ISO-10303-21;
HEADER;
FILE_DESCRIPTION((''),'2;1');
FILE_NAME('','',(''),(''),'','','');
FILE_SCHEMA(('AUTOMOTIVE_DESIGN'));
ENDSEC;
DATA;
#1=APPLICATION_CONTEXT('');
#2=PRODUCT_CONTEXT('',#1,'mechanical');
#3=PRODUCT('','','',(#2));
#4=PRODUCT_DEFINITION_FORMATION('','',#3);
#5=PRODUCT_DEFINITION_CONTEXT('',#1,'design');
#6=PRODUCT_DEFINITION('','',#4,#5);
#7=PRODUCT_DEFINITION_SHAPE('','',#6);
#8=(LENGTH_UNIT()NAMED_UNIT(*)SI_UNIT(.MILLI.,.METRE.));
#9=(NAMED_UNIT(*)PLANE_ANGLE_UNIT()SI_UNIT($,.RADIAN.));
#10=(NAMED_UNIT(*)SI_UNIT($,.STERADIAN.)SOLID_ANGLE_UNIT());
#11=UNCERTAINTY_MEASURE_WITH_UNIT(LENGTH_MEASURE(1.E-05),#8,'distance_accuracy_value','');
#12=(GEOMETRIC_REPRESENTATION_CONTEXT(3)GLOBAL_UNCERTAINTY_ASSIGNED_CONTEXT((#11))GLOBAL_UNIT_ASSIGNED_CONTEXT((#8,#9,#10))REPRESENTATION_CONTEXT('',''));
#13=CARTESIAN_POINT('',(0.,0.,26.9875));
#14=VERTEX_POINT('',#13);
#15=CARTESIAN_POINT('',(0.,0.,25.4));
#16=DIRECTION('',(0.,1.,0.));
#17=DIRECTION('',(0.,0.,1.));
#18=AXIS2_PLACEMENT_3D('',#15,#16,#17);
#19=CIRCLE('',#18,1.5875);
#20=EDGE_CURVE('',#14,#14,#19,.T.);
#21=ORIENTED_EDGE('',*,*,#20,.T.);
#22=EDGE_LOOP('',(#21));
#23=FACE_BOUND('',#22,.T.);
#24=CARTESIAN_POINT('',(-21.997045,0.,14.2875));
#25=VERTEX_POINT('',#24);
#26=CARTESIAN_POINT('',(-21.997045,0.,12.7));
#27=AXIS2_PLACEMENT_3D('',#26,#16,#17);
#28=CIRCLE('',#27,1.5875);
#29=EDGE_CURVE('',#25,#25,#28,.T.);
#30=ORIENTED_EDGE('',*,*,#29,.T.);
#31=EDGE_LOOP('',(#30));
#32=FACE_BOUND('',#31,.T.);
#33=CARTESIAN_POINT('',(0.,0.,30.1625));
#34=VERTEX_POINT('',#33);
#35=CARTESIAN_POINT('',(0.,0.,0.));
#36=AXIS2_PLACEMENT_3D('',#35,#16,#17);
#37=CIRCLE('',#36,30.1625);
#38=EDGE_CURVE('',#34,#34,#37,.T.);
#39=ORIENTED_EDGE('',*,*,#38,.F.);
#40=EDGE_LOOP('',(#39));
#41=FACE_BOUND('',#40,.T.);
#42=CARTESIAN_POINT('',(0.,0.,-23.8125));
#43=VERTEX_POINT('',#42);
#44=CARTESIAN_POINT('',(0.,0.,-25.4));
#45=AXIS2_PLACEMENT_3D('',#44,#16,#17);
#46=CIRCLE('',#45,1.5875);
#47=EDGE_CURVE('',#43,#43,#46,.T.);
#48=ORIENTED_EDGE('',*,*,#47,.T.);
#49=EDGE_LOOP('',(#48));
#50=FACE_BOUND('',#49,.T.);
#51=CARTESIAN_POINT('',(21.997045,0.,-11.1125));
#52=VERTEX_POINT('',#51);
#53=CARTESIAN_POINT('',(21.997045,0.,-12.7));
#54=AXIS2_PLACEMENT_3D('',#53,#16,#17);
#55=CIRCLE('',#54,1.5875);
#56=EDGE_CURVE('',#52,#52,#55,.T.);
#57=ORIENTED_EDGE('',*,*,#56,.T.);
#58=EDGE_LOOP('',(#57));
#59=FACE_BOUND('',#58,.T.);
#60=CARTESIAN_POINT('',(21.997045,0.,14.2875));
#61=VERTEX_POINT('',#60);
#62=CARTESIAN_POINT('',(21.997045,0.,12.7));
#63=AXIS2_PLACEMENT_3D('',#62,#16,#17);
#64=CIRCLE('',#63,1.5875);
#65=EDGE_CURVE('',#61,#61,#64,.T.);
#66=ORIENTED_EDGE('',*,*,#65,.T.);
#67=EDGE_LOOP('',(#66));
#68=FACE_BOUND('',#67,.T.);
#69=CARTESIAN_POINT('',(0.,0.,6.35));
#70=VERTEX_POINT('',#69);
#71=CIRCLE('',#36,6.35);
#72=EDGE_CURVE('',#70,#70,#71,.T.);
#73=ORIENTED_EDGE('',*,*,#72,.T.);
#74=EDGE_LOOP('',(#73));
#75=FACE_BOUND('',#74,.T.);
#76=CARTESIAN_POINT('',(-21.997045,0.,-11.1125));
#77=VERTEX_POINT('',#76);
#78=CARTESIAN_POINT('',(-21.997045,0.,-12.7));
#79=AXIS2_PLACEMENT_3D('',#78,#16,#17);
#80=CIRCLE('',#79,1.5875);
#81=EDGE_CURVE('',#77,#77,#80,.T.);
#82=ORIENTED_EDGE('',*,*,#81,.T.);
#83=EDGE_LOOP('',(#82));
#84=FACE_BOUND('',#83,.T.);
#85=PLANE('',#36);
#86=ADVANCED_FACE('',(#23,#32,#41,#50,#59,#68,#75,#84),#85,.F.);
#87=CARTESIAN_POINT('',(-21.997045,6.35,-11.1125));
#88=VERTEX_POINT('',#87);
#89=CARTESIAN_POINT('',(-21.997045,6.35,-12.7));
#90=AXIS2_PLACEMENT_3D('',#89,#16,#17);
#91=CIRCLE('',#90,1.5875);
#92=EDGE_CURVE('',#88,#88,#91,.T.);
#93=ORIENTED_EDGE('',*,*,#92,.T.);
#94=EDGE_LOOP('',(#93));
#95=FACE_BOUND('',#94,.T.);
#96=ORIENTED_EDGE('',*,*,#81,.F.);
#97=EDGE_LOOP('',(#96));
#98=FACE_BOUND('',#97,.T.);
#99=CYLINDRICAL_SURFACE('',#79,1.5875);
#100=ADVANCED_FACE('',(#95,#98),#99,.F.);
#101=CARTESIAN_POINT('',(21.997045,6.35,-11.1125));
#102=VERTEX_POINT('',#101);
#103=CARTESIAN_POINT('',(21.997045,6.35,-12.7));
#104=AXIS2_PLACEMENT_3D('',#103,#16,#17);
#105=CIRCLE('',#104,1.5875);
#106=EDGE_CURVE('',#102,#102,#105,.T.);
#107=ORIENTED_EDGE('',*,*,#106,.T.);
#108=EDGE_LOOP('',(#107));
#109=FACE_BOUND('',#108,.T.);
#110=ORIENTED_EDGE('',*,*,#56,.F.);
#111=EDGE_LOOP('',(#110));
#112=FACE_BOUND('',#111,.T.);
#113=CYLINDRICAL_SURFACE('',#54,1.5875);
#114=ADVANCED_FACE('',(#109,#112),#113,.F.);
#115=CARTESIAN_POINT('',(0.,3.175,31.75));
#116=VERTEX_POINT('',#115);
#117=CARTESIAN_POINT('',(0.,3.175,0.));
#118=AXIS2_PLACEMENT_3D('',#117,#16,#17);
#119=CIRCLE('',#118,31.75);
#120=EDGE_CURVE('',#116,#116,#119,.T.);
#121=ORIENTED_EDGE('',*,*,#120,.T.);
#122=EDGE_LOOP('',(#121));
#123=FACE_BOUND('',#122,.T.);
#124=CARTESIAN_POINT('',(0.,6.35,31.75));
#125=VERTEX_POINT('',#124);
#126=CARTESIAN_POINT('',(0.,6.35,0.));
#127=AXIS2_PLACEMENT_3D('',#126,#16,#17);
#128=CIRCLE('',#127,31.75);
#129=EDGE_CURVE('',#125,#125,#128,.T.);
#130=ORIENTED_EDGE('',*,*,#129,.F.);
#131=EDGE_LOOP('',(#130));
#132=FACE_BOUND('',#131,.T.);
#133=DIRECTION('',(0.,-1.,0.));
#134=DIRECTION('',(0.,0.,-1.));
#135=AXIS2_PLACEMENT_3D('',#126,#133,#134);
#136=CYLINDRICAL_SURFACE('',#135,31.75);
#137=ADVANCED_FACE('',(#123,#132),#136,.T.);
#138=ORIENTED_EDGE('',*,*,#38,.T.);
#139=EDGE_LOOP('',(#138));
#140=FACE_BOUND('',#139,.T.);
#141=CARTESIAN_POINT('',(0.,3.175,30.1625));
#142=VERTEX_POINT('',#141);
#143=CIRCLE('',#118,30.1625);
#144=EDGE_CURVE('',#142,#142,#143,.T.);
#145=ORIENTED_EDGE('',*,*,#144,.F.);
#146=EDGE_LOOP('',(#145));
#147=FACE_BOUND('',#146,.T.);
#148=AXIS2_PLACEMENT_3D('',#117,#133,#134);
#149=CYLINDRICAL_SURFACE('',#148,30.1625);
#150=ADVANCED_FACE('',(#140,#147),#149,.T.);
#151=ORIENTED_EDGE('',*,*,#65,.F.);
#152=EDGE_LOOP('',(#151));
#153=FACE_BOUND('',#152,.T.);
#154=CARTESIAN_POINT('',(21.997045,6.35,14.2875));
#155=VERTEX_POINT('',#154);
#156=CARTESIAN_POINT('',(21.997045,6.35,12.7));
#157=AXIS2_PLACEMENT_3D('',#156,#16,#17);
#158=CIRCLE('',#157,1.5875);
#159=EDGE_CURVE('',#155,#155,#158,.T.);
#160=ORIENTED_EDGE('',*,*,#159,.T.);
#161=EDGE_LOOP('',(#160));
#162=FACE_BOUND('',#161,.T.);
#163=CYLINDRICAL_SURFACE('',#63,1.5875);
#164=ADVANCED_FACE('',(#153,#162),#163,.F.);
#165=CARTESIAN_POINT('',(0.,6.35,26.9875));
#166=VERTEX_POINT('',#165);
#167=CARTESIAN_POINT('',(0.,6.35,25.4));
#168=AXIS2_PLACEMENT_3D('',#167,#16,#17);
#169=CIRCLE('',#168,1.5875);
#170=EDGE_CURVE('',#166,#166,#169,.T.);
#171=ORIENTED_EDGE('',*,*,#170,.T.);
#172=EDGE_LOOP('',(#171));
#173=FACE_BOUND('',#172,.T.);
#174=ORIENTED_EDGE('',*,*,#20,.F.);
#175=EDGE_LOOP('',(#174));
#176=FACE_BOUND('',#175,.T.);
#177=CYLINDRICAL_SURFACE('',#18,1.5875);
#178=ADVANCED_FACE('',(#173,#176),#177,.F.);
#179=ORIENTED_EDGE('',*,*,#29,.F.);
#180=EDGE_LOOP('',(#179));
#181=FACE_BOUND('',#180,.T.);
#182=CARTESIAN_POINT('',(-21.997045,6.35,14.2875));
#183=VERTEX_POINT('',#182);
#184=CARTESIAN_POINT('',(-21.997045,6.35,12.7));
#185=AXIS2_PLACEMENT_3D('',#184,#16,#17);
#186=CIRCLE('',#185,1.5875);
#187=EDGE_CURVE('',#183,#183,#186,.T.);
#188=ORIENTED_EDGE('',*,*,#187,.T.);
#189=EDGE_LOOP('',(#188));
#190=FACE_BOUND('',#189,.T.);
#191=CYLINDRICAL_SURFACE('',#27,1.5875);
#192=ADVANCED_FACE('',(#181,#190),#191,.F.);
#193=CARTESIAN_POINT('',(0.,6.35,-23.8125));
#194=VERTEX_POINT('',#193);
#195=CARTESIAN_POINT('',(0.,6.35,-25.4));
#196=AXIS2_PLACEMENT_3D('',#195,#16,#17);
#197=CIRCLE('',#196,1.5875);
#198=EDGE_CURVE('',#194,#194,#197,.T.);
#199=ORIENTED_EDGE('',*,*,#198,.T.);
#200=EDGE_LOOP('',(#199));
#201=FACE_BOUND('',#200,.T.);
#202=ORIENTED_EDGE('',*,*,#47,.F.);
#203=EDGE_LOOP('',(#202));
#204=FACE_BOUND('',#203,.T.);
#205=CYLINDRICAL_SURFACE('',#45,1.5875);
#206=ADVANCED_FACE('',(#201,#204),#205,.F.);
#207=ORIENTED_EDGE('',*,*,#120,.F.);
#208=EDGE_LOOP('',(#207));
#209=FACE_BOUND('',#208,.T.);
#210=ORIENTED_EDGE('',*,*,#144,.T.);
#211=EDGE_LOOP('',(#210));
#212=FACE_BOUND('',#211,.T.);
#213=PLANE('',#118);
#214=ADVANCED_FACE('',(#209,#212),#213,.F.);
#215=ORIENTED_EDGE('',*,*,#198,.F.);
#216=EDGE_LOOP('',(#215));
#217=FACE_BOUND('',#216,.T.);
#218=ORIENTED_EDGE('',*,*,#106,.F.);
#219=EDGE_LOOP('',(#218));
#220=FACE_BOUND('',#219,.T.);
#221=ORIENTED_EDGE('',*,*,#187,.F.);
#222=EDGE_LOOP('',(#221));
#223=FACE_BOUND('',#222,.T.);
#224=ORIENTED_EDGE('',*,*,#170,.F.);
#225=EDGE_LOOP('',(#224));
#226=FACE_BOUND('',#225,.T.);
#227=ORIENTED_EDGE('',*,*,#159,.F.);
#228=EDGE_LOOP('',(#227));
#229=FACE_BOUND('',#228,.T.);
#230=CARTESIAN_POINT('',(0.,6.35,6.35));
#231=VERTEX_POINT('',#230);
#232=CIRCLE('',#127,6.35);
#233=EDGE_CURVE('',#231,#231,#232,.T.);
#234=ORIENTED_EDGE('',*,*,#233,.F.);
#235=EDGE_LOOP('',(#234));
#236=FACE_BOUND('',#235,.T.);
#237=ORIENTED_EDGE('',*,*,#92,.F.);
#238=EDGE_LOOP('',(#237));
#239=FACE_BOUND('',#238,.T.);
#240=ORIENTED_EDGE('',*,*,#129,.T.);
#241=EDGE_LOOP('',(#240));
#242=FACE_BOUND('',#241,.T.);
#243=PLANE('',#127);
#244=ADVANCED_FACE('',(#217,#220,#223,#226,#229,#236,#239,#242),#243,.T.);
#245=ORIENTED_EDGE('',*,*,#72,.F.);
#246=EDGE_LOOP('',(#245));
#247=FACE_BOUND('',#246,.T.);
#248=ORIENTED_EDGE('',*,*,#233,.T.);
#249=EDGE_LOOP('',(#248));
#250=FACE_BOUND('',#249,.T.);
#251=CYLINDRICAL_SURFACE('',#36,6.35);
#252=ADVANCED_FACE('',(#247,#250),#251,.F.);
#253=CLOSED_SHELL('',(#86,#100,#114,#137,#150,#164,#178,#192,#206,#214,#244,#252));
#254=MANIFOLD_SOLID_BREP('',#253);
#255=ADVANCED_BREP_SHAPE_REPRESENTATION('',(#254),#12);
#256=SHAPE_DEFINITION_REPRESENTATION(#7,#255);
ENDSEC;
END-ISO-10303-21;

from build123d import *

# Parameters (mm, degrees)
SKETCH1_R           = 30.1625
BOSS_EXTRUDE1_DEPTH = 3.175
SKETCH2_R           = 31.75
BOSS_EXTRUDE2_DEPTH = 3.175
SKETCH3_R           = 1.5875
SKETCH3_R_2         = 6.35
CUT_EXTRUDE1_DEPTH  = 46.348070521


with BuildPart() as part:
    # Sketch1 → Boss-Extrude1 (new body)
    with BuildSketch(Plane(origin=(0, 0, 0), x_dir=(1, 0, 0), z_dir=(0, 1, 0))):
        with Locations(Location((0, 0, 0), (0, 0, 270))):
            Circle(SKETCH1_R)
    extrude(amount=BOSS_EXTRUDE1_DEPTH)

    # Sketch2 → Boss-Extrude2 (add)
    with BuildSketch(Plane(origin=(0, 3.175, 0), x_dir=(1, 0, 0), z_dir=(0, 1, 0))):
        with Locations(Location((0, 0, 0), (0, 0, 270))):
            Circle(SKETCH2_R)
    extrude(amount=BOSS_EXTRUDE2_DEPTH)

    # Sketch3 → Cut-Extrude1 (cut, through all)
    with BuildSketch(Plane(origin=(0, 6.35, 0), x_dir=(1, 0, 0), z_dir=(0, 1, 0))):
        with Locations(Location((0, 25.4, 0), (0, 0, 270))):
            Circle(SKETCH3_R)
        with Locations(Location((21.997045256, 12.7, 0), (0, 0, 270))):
            Circle(SKETCH3_R)
        with Locations(Location((21.997045256, -12.7, 0), (0, 0, 270))):
            Circle(SKETCH3_R)
        with Locations(Location((0, -25.4, 0), (0, 0, 270))):
            Circle(SKETCH3_R)
        with Locations(Location((-21.997045256, -12.7, 0), (0, 0, 270))):
            Circle(SKETCH3_R)
        with Locations(Location((-21.997045256, 12.7, 0), (0, 0, 270))):
            Circle(SKETCH3_R)
        with Locations(Location((0, 0, 0), (0, 0, 270))):
            Circle(SKETCH3_R_2)
    extrude(amount=-CUT_EXTRUDE1_DEPTH, mode=Mode.SUBTRACT)


solid = part.part
